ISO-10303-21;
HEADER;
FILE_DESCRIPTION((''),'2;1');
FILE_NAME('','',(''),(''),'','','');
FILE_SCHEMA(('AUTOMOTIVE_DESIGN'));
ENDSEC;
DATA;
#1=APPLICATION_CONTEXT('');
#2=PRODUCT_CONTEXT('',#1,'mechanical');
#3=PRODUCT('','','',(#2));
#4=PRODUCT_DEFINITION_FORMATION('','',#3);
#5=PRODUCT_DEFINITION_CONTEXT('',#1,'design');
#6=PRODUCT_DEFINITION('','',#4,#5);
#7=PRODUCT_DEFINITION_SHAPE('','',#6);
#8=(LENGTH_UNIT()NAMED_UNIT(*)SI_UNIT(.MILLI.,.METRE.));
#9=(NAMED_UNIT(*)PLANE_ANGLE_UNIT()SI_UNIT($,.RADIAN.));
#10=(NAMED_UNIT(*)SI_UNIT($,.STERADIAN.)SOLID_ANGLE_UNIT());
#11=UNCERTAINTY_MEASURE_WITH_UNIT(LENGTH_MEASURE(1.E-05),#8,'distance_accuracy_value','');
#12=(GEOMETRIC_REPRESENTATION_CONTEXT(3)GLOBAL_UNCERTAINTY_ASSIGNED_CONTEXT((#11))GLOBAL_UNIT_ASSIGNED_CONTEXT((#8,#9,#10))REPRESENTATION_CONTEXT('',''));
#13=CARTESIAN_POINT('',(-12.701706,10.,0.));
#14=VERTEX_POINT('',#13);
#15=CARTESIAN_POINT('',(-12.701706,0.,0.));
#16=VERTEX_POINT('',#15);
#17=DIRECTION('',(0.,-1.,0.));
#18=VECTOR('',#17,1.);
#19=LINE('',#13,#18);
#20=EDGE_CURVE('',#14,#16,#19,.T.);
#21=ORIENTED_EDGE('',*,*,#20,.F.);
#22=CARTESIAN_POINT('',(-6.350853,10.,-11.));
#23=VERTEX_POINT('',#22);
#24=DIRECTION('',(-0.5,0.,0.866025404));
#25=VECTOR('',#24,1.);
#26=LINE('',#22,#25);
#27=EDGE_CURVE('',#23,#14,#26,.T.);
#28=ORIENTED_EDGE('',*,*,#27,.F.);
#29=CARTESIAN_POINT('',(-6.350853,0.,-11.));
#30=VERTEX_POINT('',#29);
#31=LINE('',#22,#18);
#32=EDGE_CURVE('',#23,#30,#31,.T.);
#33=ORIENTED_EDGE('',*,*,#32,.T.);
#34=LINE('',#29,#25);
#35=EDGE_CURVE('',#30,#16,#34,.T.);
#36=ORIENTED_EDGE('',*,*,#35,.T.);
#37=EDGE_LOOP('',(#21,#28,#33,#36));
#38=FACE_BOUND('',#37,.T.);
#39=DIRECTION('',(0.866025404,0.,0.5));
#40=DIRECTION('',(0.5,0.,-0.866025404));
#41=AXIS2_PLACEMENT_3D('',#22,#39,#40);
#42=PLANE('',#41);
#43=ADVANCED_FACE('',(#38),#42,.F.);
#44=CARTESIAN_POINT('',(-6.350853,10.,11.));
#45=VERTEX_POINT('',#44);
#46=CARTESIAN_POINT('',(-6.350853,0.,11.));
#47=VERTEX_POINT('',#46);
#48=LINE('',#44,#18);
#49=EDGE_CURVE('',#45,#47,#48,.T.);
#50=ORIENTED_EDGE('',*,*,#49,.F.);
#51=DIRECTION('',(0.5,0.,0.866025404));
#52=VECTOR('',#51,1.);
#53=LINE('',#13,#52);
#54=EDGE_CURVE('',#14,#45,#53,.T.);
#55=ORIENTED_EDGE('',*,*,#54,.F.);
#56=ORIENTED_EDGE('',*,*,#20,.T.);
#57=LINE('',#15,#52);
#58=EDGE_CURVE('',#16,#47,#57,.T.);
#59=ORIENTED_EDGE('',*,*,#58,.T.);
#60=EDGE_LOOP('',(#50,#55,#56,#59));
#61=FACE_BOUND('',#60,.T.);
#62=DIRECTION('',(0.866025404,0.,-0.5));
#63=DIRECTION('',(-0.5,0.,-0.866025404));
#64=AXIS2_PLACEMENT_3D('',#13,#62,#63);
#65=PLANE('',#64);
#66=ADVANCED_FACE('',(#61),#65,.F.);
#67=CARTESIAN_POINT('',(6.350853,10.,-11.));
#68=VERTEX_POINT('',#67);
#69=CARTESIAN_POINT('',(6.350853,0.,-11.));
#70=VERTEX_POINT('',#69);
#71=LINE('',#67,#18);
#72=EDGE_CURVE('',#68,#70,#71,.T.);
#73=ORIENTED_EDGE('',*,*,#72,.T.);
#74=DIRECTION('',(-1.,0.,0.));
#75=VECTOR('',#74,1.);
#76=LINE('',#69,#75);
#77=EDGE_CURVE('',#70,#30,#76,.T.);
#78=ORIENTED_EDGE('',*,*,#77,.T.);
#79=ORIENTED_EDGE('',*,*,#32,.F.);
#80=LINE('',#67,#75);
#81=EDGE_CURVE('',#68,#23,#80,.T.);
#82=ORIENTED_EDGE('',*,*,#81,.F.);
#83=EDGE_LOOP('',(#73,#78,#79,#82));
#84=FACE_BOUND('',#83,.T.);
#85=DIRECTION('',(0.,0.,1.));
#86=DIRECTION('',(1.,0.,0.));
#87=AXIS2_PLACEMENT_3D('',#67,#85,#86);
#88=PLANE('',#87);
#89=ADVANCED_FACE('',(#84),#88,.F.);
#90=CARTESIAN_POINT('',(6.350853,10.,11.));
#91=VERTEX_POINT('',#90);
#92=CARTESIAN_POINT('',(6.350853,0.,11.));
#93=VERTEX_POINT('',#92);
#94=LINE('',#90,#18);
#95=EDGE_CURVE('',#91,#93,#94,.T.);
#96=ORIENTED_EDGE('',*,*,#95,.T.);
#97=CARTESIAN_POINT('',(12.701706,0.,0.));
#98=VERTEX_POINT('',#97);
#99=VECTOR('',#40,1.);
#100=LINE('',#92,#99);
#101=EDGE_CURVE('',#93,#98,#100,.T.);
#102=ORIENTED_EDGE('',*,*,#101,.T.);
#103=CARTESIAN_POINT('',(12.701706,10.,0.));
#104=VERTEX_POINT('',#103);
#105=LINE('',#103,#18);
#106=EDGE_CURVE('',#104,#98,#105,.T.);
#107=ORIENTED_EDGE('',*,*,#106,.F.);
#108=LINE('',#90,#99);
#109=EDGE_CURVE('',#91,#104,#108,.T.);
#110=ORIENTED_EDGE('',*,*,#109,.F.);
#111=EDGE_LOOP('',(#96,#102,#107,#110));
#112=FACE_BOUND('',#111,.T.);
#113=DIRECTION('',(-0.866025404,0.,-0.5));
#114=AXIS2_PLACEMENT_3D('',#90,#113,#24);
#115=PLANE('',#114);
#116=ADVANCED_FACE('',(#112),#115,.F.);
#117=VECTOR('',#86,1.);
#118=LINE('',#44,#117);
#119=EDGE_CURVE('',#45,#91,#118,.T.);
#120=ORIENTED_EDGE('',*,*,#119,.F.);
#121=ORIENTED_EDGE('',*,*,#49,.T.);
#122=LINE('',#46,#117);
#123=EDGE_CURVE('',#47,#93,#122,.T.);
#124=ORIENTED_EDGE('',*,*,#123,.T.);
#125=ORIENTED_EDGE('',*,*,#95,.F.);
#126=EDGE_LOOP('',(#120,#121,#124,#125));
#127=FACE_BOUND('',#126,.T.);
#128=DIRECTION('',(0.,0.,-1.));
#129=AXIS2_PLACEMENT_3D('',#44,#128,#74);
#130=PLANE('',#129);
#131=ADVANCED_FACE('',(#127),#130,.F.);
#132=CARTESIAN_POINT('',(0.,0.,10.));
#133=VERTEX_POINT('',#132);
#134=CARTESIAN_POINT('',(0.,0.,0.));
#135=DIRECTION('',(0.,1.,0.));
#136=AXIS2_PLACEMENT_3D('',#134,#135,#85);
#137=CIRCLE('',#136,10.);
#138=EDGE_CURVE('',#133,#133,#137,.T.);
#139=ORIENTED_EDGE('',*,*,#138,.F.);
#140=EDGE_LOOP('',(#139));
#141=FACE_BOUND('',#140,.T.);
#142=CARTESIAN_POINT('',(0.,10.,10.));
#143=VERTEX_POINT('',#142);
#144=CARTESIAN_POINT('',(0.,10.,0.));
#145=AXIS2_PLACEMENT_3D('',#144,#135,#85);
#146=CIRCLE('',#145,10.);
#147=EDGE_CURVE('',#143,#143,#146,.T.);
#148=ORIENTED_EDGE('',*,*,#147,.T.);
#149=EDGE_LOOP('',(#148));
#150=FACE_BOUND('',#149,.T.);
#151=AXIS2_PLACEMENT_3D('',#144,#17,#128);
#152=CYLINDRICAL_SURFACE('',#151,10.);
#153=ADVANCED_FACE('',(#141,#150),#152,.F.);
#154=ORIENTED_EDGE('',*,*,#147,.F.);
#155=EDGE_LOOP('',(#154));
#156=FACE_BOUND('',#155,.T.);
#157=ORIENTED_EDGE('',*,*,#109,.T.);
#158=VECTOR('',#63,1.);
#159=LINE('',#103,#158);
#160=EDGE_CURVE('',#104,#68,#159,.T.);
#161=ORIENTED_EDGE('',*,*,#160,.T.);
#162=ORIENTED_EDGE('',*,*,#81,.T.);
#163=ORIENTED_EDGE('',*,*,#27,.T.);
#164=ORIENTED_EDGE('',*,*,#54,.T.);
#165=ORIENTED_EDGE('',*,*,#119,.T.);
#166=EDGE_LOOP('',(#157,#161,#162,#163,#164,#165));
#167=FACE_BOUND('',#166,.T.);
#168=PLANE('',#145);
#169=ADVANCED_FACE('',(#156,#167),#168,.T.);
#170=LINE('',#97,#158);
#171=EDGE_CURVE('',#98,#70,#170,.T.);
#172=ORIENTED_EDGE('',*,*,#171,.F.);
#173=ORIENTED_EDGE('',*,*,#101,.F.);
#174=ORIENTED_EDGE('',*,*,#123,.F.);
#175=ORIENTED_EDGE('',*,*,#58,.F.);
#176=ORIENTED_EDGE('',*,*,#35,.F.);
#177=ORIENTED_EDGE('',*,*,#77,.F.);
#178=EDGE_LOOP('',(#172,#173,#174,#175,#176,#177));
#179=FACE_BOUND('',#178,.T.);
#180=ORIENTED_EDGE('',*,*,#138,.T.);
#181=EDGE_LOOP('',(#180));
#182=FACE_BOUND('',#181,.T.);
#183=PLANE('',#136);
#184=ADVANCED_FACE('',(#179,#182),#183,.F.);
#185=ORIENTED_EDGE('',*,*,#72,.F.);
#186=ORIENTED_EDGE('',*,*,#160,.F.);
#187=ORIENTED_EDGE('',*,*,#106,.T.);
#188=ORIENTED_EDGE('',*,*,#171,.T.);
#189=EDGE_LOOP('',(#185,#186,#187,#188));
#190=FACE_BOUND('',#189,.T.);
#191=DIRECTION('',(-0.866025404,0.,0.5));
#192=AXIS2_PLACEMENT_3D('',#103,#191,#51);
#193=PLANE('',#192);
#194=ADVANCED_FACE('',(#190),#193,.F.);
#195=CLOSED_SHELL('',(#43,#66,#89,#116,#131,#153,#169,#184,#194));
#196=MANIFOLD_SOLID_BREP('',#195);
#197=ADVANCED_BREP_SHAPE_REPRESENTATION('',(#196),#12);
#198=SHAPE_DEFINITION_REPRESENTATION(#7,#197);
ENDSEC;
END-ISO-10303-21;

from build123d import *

# Parameters (mm, degrees)
SKETCH1_R           = 10
BOSS_EXTRUDE2_DEPTH = 10


with BuildPart() as part:
    # Sketch1 → Boss-Extrude2 (new body)
    with BuildSketch(Plane(origin=(0, 0, 0), x_dir=(1, 0, 0), z_dir=(0, 1, 0))):
        Polygon((12.701705922, 0), (6.350852961, 11), (-6.350852961, 11), (-12.701705922, 0), (-6.350852961, -11), (6.350852961, -11), align=None)
        with Locations(Location((0, 0, 0), (0, 0, 270))):
            Circle(SKETCH1_R, mode=Mode.SUBTRACT)
    extrude(amount=BOSS_EXTRUDE2_DEPTH)


solid = part.part
